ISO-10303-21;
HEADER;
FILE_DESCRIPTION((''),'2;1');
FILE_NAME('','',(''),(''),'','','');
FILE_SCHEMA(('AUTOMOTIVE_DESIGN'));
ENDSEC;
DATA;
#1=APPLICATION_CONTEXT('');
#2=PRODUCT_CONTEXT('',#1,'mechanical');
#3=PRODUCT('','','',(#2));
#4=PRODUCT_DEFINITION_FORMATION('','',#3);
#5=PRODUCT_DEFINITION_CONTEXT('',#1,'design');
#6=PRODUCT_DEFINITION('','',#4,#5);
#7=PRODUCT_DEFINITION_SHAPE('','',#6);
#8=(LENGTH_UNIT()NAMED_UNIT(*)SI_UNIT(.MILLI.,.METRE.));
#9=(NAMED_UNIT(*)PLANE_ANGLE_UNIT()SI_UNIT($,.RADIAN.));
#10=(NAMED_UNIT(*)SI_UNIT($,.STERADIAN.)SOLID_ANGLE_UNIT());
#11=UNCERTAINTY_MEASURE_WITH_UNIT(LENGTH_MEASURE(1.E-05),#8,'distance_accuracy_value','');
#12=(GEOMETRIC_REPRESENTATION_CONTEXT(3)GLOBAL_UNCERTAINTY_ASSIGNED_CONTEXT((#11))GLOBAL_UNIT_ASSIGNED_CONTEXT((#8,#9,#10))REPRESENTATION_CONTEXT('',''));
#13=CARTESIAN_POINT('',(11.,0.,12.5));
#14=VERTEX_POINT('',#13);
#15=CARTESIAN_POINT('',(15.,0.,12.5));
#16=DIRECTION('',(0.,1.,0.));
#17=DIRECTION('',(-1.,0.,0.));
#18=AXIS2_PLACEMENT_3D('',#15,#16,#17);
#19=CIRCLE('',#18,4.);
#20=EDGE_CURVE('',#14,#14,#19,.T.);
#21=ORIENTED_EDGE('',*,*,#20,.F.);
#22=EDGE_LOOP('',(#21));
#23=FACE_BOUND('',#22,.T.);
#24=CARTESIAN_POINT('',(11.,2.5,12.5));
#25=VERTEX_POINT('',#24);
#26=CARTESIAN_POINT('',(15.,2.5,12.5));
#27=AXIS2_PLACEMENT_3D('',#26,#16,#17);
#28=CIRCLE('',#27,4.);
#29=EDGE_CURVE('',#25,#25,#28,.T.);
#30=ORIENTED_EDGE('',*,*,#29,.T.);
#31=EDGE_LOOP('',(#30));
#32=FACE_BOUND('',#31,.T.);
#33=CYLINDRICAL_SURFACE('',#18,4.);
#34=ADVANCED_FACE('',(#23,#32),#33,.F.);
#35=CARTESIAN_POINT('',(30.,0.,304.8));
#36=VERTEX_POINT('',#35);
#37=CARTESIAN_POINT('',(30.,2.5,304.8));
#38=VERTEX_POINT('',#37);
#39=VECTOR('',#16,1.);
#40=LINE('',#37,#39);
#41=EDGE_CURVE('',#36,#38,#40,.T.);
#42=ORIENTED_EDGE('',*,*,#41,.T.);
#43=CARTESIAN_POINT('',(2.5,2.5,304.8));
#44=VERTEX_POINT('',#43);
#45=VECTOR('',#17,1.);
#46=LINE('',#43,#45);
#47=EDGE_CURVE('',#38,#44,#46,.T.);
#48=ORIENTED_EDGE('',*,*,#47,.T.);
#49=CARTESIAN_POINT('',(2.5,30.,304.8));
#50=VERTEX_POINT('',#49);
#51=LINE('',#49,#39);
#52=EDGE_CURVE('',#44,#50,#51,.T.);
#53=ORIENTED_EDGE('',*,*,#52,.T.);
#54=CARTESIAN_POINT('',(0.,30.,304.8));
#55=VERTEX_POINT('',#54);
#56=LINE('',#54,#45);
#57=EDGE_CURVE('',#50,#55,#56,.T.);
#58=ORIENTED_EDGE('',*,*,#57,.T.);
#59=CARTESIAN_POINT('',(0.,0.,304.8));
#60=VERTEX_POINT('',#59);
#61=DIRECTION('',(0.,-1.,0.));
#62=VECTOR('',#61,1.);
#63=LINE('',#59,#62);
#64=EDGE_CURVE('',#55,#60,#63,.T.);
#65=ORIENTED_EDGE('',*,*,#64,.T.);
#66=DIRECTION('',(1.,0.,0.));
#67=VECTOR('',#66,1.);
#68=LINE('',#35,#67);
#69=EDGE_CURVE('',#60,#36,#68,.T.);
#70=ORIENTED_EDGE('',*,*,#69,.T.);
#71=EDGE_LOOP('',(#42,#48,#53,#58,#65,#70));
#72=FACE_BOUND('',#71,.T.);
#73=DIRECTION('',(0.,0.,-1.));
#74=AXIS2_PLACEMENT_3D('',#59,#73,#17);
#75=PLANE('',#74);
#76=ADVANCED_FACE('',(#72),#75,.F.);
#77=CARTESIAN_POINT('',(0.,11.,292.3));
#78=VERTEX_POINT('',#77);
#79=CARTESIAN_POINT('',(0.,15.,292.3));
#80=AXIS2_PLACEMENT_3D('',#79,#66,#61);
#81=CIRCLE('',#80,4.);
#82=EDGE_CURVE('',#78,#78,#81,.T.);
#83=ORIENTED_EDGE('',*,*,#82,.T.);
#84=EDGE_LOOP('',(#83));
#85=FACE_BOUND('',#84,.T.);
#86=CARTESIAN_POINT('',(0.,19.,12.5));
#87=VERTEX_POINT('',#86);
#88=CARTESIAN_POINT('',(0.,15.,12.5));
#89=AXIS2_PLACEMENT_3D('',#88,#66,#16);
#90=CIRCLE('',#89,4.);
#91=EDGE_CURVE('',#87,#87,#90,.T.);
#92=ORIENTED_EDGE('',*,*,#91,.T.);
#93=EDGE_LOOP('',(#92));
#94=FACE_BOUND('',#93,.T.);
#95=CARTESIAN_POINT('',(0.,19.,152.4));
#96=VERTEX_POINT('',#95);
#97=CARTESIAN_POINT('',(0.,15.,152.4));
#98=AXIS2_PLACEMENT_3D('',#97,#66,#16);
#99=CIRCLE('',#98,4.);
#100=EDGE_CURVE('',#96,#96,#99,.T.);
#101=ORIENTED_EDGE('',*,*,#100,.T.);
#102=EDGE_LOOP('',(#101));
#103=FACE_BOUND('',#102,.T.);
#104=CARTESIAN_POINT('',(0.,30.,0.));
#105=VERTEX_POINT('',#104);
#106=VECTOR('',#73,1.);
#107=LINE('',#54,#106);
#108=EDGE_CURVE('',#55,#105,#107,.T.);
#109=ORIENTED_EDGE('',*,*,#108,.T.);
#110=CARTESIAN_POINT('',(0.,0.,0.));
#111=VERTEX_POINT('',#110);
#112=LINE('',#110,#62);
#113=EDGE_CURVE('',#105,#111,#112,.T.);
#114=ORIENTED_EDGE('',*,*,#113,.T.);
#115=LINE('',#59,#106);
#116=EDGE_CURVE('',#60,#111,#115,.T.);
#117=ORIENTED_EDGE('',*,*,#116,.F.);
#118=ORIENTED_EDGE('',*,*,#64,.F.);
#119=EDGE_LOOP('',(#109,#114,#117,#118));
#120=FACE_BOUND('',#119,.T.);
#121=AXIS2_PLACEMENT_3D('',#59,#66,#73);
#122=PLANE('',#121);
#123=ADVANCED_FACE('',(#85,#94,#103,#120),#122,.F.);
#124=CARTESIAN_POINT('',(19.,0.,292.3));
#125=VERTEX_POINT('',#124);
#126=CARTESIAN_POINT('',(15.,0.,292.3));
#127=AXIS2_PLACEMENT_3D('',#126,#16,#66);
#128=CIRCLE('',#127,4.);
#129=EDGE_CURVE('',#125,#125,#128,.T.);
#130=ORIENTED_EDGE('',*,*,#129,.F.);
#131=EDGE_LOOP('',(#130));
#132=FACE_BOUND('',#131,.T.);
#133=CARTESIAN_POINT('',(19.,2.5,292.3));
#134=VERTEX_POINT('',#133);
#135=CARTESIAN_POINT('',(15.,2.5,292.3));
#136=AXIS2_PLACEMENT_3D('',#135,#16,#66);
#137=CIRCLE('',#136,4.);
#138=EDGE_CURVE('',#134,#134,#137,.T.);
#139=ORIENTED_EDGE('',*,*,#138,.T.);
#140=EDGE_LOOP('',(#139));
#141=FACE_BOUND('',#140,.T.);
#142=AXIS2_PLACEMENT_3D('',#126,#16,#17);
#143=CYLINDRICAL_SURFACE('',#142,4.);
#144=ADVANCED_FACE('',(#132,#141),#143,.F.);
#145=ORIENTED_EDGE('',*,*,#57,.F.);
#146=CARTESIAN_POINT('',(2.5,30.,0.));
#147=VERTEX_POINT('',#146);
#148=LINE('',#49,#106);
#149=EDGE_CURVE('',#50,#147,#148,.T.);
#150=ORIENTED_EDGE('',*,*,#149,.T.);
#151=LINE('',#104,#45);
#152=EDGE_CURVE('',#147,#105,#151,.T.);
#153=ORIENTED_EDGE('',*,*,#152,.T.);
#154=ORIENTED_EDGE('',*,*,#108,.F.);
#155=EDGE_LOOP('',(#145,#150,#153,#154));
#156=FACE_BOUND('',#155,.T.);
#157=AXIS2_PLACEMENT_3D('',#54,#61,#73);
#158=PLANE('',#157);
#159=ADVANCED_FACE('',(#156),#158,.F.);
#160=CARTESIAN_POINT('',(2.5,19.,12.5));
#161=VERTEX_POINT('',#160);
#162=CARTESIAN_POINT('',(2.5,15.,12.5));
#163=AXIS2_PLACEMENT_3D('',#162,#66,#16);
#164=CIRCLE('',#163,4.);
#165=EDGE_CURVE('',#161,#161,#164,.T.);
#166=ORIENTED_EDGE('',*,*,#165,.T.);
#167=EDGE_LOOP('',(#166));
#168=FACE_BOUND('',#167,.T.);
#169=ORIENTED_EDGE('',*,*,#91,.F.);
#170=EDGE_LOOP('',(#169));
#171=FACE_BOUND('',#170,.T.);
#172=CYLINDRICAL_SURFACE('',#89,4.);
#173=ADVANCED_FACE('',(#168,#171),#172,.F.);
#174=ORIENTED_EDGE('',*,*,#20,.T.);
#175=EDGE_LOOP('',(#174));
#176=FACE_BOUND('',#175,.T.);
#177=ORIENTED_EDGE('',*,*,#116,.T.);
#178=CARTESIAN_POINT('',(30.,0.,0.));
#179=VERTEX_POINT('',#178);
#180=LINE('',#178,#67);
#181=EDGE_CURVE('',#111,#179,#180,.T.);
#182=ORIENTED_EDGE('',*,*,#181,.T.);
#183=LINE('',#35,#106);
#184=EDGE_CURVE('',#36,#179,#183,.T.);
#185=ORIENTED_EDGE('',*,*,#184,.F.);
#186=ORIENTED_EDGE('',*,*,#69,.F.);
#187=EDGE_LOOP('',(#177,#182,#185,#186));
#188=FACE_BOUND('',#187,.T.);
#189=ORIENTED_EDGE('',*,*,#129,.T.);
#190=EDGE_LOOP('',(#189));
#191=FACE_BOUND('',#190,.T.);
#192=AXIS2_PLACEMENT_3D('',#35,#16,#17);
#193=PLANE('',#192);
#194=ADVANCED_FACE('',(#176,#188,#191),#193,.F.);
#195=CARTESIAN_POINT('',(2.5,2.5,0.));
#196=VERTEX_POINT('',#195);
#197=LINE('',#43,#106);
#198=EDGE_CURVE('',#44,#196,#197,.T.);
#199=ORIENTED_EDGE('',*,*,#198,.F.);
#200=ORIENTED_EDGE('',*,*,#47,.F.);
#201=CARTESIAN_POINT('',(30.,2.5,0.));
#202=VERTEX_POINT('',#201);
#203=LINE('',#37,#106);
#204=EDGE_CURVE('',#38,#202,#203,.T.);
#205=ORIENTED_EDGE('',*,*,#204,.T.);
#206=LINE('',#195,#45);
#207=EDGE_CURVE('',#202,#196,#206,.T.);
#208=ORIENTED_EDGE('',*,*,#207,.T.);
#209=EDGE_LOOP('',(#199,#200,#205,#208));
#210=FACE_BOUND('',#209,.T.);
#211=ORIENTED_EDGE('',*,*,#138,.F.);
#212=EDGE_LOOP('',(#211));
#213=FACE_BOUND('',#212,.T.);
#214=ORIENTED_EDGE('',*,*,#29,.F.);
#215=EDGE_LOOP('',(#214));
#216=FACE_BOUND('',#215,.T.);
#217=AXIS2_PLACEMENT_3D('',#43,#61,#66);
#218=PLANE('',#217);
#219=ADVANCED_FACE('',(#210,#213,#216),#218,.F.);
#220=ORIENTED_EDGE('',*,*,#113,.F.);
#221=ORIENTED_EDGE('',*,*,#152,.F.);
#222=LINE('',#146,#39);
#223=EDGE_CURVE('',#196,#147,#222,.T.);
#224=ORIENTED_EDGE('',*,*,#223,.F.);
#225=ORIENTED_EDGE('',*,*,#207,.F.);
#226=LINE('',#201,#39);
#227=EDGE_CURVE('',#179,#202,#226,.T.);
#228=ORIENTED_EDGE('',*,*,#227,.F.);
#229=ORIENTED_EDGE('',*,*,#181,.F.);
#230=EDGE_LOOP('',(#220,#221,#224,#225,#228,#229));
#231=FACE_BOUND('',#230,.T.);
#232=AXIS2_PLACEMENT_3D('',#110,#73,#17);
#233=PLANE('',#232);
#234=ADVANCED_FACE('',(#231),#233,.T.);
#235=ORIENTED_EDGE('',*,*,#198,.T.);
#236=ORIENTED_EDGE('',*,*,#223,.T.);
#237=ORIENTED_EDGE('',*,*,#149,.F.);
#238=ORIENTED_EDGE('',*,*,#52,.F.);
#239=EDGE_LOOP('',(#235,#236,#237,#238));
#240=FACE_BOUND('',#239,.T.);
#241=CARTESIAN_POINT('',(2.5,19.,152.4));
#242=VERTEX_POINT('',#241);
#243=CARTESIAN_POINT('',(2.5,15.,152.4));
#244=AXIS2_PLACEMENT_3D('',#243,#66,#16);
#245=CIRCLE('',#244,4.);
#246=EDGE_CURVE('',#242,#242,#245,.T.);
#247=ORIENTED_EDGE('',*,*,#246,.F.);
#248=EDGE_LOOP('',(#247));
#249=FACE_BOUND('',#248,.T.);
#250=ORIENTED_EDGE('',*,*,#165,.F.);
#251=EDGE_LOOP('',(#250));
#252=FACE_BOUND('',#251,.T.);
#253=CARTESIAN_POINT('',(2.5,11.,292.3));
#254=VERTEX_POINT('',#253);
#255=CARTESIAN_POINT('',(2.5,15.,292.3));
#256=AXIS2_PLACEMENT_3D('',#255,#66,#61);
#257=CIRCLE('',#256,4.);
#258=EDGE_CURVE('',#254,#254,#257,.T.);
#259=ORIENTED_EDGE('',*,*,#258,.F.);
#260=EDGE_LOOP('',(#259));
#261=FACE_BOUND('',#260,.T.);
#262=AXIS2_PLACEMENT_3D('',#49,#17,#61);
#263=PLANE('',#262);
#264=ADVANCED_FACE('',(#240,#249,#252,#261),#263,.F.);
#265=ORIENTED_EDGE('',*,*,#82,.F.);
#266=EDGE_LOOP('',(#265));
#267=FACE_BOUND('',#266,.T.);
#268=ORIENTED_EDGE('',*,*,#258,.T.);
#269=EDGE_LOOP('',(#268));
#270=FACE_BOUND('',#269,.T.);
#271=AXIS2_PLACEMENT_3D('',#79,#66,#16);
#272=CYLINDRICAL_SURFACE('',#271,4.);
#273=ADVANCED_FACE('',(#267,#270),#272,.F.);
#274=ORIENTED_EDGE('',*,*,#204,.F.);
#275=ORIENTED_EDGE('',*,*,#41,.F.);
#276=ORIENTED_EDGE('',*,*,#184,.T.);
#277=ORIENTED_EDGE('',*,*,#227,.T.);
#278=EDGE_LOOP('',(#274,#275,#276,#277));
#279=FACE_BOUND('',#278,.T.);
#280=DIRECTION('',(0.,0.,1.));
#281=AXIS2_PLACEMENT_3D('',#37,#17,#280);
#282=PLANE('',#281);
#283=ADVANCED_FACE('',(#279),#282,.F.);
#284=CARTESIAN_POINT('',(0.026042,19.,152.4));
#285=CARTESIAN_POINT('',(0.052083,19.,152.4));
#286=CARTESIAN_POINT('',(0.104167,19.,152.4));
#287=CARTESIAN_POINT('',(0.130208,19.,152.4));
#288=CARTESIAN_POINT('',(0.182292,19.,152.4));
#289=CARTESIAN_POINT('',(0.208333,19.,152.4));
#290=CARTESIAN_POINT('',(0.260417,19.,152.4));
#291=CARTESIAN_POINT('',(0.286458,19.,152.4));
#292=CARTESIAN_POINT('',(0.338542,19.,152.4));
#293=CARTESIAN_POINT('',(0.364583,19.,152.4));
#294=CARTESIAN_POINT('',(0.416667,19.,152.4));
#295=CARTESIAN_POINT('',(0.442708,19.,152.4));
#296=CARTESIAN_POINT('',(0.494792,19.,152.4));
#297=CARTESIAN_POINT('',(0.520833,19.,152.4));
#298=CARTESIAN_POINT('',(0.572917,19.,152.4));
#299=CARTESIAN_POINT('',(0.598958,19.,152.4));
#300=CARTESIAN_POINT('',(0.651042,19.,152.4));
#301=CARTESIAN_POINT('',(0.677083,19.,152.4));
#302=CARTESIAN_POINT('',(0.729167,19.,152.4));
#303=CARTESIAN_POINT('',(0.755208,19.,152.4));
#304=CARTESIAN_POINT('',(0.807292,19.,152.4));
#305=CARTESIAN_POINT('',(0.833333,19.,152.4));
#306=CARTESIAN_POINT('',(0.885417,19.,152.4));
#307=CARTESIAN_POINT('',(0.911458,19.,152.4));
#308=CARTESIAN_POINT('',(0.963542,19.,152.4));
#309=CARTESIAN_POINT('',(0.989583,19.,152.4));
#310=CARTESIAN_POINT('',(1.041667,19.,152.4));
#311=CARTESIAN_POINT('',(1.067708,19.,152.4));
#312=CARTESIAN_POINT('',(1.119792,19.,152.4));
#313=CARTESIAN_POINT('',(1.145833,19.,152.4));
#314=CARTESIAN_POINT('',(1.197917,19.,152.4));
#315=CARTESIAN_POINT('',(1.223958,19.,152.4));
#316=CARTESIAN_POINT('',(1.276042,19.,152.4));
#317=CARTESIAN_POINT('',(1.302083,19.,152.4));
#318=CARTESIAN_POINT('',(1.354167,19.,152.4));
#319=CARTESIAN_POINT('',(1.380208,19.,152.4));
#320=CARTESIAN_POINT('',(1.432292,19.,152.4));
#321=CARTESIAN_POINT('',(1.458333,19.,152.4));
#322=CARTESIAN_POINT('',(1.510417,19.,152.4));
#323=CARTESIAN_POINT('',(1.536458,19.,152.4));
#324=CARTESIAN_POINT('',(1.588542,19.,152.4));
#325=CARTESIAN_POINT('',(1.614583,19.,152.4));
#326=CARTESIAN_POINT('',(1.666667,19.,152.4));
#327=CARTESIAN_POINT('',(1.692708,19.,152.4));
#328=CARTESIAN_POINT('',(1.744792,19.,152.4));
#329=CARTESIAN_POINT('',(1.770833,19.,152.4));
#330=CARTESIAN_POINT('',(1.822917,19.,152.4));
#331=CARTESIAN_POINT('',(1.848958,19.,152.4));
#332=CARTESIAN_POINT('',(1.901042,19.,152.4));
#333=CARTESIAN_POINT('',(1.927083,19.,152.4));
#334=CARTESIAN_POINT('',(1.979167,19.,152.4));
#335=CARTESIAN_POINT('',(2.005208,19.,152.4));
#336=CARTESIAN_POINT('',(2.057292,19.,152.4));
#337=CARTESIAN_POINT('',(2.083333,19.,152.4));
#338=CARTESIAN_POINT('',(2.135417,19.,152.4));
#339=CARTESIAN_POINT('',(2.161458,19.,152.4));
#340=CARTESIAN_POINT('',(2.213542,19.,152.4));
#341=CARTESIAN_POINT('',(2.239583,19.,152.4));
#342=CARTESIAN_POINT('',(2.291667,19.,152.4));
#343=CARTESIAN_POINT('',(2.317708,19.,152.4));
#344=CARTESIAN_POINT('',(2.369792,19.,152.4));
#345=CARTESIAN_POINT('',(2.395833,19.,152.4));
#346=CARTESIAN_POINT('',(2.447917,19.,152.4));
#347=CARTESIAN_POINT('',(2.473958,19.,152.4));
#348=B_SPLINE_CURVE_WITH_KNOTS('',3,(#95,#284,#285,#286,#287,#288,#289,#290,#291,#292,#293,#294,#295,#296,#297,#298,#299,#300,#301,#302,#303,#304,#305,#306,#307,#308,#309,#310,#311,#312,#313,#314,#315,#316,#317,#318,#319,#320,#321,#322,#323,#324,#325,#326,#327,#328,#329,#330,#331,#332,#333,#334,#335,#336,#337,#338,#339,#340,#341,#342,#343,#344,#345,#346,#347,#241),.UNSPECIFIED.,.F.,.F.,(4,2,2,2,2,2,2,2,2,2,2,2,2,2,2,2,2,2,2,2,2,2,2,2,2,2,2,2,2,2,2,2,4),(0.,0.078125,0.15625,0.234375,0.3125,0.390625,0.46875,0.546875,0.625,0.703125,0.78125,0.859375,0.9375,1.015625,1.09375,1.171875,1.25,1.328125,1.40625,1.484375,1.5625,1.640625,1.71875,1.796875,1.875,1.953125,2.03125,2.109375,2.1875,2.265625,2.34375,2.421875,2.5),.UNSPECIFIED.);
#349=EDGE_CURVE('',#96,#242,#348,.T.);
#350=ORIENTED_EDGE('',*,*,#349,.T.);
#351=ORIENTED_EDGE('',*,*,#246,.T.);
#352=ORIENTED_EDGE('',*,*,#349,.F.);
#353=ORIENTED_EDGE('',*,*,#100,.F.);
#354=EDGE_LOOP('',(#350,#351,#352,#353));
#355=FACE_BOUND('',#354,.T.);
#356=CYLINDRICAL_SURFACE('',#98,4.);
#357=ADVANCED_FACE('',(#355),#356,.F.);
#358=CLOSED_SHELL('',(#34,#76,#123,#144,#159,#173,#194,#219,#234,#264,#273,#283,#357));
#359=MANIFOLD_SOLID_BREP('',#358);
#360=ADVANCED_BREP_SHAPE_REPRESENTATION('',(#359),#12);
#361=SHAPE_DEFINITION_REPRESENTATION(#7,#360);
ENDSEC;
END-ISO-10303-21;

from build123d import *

# Parameters (mm, degrees)
BOSS_EXTRUDE1_DEPTH = 304.8
SKETCH2_R           = 4
CUT_EXTRUDE1_DEPTH  = 308.50494305
SKETCH3_R           = 4
CUT_EXTRUDE2_DEPTH  = 308.50494305
SKETCH5_R           = 4
CUT_EXTRUDE3_DEPTH  = 308.50494305


with BuildPart() as part:
    # Sketch1 → Boss-Extrude1 (new body)
    with BuildSketch(Plane.XY):
        Polygon((0, 0), (0, 30), (2.5, 30), (2.5, 2.5), (30, 2.5), (30, 0), align=None)
    extrude(amount=BOSS_EXTRUDE1_DEPTH)

    # Sketch2 → Cut-Extrude1 (cut, through all)
    with BuildSketch(Plane(origin=(0, 2.5, 0), x_dir=(1, 0, 0), z_dir=(0, 1, 0))):
        with Locations(Location((15, -12.5, 0), (0, 0, 180))):
            Circle(SKETCH2_R)
        with Locations((15, -292.3)):
            Circle(SKETCH2_R)
    extrude(amount=-CUT_EXTRUDE1_DEPTH, mode=Mode.SUBTRACT)

    # Sketch3 → Cut-Extrude2 (cut, through all)
    with BuildSketch(Plane(origin=(2.5, 0, 0), x_dir=(0, 0, -1), z_dir=(1, 0, 0))):
        with Locations(Location((-12.5, 15, 0), (0, 0, 90))):
            Circle(SKETCH3_R)
        with Locations(Location((-292.3, 15, 0), (0, 0, 270))):
            Circle(SKETCH3_R)
    extrude(amount=-CUT_EXTRUDE2_DEPTH, mode=Mode.SUBTRACT)

    # Sketch5 → Cut-Extrude3 (cut, through all)
    with BuildSketch(Plane(origin=(2.5, 0, 0), x_dir=(0, 0, -1), z_dir=(1, 0, 0))):
        with Locations(Location((-152.4, 15, 0), (0, 0, 90))):
            Circle(SKETCH5_R)
    extrude(amount=-CUT_EXTRUDE3_DEPTH, mode=Mode.SUBTRACT)


solid = part.part
